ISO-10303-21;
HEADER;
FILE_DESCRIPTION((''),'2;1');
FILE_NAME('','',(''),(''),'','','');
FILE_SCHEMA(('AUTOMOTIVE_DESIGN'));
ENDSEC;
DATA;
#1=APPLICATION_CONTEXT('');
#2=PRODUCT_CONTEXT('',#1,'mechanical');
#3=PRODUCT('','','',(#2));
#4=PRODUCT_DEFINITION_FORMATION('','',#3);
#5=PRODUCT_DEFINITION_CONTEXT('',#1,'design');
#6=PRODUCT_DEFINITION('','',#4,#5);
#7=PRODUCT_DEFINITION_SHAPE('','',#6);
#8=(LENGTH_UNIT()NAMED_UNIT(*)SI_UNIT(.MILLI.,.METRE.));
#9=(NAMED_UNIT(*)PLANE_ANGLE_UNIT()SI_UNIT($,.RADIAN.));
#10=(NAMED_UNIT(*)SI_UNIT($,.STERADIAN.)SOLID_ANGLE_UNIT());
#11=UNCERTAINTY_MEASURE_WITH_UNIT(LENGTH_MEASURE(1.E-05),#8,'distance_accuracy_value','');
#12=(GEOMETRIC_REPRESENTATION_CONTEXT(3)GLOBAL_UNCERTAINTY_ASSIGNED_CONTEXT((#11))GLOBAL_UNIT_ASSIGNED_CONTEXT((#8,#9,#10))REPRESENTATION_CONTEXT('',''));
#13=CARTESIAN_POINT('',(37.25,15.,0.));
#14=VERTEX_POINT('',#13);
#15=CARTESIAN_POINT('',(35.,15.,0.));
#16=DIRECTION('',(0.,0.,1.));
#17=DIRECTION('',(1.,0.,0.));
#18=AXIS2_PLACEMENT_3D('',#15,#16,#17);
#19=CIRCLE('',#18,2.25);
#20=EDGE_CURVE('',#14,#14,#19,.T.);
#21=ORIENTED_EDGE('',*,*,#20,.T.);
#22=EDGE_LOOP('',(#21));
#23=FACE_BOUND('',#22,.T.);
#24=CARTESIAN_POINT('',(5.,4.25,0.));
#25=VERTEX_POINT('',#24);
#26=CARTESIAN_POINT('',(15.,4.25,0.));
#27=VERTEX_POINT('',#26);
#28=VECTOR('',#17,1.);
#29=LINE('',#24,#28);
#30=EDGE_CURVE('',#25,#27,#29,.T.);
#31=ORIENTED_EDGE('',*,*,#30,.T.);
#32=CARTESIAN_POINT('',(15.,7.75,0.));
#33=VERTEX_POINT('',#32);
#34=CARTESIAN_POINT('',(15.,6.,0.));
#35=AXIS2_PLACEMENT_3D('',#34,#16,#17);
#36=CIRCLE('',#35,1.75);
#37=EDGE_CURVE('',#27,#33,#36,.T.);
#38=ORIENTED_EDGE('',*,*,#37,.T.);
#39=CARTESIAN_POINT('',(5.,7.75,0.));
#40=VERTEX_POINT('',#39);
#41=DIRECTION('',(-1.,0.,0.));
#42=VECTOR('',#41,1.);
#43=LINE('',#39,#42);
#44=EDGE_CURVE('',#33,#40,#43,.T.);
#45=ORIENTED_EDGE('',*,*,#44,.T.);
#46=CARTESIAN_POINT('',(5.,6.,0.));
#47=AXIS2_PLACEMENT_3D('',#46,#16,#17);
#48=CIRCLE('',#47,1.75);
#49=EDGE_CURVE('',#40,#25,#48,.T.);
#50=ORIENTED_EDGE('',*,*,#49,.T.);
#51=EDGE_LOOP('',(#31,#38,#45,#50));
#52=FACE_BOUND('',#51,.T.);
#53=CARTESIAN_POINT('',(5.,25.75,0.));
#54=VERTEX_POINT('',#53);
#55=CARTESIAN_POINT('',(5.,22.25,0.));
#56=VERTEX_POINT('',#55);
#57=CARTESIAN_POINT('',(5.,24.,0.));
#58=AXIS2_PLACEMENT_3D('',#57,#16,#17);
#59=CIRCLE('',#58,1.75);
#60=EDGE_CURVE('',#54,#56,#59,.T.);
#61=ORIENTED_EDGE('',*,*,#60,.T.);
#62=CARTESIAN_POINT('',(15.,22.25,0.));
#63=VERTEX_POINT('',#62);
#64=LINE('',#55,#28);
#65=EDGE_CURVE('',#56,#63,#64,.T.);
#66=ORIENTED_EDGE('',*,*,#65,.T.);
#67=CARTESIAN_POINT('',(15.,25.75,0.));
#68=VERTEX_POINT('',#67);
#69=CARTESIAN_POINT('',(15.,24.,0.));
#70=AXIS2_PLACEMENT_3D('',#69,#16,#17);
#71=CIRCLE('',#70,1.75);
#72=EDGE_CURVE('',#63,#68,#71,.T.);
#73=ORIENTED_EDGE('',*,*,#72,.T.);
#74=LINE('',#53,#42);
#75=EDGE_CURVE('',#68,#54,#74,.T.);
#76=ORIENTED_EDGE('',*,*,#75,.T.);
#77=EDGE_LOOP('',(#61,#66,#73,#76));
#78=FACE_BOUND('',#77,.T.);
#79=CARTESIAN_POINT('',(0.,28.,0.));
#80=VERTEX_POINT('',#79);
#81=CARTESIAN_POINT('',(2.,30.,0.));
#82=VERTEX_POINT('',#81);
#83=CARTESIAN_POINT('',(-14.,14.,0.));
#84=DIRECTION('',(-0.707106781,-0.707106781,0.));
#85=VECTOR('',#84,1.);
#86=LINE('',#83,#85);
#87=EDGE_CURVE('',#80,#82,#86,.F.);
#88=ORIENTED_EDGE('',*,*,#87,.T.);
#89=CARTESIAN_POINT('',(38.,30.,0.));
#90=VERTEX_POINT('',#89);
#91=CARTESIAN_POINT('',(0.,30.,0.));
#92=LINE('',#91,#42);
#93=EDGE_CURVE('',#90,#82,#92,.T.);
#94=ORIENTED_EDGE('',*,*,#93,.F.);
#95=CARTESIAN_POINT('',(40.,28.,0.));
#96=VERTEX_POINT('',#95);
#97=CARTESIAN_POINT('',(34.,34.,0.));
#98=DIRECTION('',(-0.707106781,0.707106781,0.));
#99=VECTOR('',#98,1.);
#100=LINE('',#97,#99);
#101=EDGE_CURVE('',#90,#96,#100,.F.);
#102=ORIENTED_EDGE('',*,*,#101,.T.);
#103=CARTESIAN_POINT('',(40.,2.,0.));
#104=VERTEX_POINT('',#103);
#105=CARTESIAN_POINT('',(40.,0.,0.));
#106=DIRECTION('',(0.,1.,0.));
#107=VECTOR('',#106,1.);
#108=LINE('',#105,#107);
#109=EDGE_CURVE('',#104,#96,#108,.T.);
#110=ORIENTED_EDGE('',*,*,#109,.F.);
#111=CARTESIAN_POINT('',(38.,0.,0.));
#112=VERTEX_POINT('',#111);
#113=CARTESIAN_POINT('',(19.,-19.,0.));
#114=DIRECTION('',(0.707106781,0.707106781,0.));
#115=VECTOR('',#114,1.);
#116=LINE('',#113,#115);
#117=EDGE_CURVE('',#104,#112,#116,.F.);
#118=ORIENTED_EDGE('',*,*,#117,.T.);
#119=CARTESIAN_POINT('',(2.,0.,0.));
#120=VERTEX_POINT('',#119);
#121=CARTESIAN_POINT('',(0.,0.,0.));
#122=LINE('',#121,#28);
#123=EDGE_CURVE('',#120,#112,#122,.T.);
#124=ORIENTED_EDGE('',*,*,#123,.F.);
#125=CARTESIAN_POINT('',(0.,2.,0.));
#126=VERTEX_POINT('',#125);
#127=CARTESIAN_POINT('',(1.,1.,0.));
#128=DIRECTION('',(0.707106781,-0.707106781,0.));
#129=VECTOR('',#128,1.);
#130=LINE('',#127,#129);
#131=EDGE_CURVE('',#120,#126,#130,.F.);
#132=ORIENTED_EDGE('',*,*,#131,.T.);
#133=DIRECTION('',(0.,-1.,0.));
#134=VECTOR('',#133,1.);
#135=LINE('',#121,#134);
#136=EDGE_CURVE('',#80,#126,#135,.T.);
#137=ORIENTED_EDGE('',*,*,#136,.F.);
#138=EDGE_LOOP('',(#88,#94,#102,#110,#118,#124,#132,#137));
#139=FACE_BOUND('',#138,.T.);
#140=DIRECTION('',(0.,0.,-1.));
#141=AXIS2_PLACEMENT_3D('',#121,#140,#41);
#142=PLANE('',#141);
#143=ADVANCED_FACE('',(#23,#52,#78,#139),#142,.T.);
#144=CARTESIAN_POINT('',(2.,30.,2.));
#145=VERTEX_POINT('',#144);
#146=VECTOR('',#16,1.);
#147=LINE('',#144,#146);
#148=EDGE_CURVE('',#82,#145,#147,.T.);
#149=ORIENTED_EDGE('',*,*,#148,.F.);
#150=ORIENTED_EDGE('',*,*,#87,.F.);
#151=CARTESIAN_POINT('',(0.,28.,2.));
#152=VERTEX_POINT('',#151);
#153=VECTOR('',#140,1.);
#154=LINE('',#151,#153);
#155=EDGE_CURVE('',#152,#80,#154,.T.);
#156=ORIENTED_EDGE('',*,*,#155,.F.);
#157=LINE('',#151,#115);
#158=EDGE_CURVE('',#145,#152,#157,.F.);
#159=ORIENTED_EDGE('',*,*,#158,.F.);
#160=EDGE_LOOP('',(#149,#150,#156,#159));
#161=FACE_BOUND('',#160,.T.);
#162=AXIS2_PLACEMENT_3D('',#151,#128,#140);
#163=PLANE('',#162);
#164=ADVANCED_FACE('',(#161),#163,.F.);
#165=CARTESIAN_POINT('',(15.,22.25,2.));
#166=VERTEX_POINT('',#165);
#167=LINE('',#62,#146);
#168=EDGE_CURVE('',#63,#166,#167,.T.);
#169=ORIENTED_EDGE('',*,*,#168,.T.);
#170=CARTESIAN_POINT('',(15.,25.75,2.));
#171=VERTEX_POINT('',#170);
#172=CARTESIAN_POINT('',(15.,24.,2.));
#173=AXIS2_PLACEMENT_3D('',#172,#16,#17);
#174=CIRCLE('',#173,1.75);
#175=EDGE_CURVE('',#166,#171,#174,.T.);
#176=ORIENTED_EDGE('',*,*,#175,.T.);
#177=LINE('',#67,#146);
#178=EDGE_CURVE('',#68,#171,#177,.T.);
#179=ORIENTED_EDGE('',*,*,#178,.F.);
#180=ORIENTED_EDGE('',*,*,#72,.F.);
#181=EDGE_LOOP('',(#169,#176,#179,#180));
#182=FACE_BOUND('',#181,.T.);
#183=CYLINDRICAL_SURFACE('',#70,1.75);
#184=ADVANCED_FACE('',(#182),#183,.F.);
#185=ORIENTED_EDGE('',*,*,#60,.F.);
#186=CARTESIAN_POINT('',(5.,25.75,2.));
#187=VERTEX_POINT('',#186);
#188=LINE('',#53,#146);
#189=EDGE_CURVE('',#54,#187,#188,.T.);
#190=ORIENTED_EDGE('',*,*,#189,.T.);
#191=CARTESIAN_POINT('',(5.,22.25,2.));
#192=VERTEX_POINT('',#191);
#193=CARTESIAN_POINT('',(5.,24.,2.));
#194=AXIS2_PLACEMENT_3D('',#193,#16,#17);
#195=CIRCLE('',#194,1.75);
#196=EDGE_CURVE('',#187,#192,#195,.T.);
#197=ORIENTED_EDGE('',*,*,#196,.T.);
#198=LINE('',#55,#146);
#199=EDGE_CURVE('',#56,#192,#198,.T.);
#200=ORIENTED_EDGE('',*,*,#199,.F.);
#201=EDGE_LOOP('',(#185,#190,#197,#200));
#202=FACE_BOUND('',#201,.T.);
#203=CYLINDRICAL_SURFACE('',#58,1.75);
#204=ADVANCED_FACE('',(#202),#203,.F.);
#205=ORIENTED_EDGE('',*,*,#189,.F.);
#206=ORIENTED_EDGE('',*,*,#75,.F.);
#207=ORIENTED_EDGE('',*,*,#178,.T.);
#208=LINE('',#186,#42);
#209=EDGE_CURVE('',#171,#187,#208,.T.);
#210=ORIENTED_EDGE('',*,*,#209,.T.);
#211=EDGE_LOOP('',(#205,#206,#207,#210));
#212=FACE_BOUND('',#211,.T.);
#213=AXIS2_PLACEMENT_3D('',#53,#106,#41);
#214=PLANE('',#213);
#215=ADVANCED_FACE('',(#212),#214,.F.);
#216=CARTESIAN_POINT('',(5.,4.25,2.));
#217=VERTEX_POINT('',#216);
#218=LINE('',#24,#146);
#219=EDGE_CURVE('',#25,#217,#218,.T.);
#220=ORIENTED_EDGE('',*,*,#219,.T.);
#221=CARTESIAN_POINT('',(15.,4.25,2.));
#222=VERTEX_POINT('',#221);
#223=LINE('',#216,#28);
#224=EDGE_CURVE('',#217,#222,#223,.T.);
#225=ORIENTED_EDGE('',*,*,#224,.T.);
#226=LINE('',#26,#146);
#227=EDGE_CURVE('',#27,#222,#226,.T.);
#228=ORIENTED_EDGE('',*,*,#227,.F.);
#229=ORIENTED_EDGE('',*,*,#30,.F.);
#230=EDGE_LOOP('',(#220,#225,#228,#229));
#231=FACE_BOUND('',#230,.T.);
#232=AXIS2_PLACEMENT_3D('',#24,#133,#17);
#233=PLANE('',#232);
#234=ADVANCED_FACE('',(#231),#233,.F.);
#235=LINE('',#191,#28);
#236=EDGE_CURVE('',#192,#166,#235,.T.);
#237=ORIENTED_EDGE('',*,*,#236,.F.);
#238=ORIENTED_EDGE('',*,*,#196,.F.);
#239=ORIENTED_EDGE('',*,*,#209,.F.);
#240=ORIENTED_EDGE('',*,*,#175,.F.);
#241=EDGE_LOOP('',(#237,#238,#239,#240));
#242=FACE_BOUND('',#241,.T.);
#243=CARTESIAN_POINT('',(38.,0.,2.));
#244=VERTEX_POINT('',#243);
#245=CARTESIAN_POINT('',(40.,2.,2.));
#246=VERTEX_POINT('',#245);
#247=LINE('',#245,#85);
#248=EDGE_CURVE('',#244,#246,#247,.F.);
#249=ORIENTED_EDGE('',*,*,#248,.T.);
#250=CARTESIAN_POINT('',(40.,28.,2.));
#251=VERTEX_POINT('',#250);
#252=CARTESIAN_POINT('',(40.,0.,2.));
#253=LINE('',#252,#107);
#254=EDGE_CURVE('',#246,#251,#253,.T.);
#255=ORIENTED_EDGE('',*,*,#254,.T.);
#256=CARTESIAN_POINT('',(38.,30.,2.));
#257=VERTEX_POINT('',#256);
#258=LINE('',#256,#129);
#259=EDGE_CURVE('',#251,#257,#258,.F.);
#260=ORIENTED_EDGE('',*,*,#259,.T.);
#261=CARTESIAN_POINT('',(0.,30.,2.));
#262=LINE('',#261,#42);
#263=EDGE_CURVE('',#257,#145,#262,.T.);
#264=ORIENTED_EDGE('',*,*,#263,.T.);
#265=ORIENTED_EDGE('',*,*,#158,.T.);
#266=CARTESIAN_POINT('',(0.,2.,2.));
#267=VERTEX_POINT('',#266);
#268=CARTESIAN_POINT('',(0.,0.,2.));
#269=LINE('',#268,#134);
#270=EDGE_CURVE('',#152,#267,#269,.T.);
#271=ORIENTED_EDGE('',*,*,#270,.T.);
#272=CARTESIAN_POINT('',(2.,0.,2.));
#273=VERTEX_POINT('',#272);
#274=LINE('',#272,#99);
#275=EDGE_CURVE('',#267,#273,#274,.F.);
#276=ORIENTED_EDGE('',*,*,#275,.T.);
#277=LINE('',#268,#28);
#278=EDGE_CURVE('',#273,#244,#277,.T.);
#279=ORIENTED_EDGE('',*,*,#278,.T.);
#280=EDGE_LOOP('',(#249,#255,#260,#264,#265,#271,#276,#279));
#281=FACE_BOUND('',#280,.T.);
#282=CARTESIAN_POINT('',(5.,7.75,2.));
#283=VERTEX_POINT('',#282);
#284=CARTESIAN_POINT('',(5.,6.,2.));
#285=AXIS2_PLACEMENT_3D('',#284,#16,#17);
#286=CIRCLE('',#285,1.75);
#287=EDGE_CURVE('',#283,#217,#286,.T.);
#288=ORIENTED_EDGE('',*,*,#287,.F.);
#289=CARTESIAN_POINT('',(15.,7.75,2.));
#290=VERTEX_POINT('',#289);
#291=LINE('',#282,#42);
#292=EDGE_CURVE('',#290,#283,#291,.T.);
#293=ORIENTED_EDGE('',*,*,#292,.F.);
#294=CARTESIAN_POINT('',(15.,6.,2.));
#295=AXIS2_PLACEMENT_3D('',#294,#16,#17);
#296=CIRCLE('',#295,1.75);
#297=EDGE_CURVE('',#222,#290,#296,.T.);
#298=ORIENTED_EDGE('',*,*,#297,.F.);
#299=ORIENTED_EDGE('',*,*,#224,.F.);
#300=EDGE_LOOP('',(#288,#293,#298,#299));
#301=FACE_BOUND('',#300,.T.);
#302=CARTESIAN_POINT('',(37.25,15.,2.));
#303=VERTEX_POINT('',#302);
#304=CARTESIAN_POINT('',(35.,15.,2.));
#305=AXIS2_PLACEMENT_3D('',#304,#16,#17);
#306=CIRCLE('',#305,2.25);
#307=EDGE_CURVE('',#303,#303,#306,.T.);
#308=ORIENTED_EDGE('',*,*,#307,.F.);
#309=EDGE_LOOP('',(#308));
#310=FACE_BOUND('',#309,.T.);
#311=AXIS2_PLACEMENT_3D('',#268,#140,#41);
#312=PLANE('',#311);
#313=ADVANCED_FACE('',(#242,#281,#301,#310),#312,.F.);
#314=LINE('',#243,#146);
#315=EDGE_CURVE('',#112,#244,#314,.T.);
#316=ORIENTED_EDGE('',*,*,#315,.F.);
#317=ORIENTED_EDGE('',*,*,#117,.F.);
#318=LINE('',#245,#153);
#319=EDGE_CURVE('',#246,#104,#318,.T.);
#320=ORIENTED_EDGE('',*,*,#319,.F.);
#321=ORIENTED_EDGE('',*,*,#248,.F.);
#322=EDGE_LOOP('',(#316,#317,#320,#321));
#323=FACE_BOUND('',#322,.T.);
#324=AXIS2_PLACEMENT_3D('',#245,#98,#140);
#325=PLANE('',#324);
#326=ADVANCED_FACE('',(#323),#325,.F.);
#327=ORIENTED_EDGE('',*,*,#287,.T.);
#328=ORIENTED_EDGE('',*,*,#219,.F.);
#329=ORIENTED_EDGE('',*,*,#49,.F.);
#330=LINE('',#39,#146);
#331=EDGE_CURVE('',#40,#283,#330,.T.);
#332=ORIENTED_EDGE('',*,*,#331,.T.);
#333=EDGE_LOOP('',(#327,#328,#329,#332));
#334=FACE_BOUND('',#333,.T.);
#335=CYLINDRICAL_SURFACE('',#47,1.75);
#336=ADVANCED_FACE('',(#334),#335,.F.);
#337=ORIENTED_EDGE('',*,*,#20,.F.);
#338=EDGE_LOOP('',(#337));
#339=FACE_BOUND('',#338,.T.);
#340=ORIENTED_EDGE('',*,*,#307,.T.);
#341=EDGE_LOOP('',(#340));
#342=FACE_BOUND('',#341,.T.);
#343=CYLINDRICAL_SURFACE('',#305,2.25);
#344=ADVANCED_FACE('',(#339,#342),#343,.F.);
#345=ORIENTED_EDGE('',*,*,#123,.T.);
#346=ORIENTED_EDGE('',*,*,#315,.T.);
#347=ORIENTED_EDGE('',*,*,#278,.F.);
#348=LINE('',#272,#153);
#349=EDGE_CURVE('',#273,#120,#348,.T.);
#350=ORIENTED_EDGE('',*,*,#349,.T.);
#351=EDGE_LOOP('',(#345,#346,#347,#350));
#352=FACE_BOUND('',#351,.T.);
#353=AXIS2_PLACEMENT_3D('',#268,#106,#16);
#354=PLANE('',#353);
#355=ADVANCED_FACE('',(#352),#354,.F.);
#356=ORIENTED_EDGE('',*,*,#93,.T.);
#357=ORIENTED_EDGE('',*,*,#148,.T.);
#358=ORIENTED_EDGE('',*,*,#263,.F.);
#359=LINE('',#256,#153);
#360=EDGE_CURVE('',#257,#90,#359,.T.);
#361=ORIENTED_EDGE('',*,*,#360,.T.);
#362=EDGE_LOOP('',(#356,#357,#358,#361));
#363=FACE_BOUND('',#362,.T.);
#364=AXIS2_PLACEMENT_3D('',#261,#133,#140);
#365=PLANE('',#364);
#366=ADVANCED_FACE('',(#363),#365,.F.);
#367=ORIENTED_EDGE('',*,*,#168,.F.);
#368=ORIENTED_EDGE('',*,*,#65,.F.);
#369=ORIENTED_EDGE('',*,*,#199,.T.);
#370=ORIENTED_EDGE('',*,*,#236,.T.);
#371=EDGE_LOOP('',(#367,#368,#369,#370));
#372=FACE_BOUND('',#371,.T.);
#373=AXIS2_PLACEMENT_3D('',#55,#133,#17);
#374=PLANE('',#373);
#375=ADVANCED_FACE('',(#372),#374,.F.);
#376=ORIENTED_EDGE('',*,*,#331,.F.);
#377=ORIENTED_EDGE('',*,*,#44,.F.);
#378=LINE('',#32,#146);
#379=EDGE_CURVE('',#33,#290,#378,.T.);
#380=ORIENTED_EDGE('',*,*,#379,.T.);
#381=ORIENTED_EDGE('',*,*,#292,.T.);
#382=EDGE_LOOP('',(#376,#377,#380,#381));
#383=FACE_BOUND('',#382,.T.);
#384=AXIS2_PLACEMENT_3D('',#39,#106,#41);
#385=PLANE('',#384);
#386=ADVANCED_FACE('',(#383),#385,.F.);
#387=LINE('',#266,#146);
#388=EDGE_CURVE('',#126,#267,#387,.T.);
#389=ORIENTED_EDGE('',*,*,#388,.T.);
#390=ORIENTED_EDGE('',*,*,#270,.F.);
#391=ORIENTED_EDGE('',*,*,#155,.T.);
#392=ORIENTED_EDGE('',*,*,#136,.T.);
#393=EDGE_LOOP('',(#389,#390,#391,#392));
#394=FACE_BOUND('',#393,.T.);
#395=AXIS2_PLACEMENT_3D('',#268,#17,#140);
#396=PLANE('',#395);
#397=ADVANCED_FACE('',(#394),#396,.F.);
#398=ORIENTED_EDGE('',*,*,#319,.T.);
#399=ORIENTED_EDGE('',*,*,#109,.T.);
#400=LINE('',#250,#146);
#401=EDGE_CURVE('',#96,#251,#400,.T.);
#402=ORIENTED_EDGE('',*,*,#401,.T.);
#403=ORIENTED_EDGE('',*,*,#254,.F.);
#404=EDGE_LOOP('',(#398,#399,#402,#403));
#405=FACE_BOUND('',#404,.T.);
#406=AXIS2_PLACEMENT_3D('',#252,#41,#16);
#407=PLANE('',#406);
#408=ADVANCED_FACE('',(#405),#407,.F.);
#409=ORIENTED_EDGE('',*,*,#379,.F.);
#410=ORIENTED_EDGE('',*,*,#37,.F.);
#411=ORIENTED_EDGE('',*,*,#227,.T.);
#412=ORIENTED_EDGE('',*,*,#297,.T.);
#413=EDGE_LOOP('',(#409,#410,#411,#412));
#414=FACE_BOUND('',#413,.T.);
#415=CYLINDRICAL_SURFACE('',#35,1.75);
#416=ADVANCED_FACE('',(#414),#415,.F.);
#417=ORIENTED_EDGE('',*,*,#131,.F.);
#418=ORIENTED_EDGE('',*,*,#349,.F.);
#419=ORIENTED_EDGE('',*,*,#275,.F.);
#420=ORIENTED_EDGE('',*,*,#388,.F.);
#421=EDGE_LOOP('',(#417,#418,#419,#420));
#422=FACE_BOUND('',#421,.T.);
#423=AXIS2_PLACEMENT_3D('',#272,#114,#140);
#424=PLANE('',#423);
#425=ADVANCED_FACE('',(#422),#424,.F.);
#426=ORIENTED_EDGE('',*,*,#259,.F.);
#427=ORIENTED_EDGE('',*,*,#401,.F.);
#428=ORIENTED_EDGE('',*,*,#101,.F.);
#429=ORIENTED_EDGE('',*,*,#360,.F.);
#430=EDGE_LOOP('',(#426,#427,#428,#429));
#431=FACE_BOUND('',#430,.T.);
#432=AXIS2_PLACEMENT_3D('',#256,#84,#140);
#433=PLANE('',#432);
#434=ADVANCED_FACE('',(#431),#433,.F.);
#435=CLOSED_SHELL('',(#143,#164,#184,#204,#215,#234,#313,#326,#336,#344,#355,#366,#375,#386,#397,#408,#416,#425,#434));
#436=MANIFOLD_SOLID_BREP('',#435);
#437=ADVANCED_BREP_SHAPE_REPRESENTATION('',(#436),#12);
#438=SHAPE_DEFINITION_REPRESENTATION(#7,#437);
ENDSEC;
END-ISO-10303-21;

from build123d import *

# Parameters (mm, degrees)
SKETCH1_W            = 40
SKETCH1_H            = 30
BOSS_EXTRUDE1_DEPTH  = 2
CHAMFER1_SIZE        = 2
N_CUT_EXTRUDE1_DEPTH = 51.039984013
N_CUT_EXTRUDE2_DEPTH = 51.039984013
D_DIAMETER_HOLE1_D   = 4.5


with BuildPart() as part:
    # Sketch1 → Boss-Extrude1 (new body)
    with BuildSketch(Plane.XY):
        with Locations((20, 15)):
            Rectangle(SKETCH1_W, SKETCH1_H)
    extrude(amount=BOSS_EXTRUDE1_DEPTH)

    # Chamfer1
    chamfer1_edges = [part.edges().sort_by_distance(p)[0] for p in [
        (0, 30, 1),
        (40, 30, 1),
        (40, 0, 1),
        (0, 0, 1),
    ]]
    chamfer(chamfer1_edges, length=CHAMFER1_SIZE)

    # Sketch2 → N Cut-Extrude1 (cut, through all)
    with BuildSketch(Plane.XY.offset(2)):
        with BuildLine():
            Line((5, 7.75), (15, 7.75))
            ThreePointArc((15, 7.75), (16.75, 6), (15, 4.25))
            Line((15, 4.25), (5, 4.25))
            ThreePointArc((5, 4.25), (3.25, 6), (5, 7.75))
        make_face()
    extrude(amount=-N_CUT_EXTRUDE1_DEPTH, mode=Mode.SUBTRACT)

    # Sketch3 → N Cut-Extrude2 (cut, through all)
    with BuildSketch(Plane.XY.offset(2)):
        with BuildLine():
            Line((5, 25.75), (15, 25.75))
            ThreePointArc((15, 25.75), (16.75, 24), (15, 22.25))
            Line((15, 22.25), (5, 22.25))
            ThreePointArc((5, 22.25), (3.25, 24), (5, 25.75))
        make_face()
    extrude(amount=-N_CUT_EXTRUDE2_DEPTH, mode=Mode.SUBTRACT)

    # D Diameter Hole1 (through all)
    with Locations(Plane.XY.offset(2)):
        with Locations((35, 15)):
            Hole(D_DIAMETER_HOLE1_D / 2)


solid = part.part
